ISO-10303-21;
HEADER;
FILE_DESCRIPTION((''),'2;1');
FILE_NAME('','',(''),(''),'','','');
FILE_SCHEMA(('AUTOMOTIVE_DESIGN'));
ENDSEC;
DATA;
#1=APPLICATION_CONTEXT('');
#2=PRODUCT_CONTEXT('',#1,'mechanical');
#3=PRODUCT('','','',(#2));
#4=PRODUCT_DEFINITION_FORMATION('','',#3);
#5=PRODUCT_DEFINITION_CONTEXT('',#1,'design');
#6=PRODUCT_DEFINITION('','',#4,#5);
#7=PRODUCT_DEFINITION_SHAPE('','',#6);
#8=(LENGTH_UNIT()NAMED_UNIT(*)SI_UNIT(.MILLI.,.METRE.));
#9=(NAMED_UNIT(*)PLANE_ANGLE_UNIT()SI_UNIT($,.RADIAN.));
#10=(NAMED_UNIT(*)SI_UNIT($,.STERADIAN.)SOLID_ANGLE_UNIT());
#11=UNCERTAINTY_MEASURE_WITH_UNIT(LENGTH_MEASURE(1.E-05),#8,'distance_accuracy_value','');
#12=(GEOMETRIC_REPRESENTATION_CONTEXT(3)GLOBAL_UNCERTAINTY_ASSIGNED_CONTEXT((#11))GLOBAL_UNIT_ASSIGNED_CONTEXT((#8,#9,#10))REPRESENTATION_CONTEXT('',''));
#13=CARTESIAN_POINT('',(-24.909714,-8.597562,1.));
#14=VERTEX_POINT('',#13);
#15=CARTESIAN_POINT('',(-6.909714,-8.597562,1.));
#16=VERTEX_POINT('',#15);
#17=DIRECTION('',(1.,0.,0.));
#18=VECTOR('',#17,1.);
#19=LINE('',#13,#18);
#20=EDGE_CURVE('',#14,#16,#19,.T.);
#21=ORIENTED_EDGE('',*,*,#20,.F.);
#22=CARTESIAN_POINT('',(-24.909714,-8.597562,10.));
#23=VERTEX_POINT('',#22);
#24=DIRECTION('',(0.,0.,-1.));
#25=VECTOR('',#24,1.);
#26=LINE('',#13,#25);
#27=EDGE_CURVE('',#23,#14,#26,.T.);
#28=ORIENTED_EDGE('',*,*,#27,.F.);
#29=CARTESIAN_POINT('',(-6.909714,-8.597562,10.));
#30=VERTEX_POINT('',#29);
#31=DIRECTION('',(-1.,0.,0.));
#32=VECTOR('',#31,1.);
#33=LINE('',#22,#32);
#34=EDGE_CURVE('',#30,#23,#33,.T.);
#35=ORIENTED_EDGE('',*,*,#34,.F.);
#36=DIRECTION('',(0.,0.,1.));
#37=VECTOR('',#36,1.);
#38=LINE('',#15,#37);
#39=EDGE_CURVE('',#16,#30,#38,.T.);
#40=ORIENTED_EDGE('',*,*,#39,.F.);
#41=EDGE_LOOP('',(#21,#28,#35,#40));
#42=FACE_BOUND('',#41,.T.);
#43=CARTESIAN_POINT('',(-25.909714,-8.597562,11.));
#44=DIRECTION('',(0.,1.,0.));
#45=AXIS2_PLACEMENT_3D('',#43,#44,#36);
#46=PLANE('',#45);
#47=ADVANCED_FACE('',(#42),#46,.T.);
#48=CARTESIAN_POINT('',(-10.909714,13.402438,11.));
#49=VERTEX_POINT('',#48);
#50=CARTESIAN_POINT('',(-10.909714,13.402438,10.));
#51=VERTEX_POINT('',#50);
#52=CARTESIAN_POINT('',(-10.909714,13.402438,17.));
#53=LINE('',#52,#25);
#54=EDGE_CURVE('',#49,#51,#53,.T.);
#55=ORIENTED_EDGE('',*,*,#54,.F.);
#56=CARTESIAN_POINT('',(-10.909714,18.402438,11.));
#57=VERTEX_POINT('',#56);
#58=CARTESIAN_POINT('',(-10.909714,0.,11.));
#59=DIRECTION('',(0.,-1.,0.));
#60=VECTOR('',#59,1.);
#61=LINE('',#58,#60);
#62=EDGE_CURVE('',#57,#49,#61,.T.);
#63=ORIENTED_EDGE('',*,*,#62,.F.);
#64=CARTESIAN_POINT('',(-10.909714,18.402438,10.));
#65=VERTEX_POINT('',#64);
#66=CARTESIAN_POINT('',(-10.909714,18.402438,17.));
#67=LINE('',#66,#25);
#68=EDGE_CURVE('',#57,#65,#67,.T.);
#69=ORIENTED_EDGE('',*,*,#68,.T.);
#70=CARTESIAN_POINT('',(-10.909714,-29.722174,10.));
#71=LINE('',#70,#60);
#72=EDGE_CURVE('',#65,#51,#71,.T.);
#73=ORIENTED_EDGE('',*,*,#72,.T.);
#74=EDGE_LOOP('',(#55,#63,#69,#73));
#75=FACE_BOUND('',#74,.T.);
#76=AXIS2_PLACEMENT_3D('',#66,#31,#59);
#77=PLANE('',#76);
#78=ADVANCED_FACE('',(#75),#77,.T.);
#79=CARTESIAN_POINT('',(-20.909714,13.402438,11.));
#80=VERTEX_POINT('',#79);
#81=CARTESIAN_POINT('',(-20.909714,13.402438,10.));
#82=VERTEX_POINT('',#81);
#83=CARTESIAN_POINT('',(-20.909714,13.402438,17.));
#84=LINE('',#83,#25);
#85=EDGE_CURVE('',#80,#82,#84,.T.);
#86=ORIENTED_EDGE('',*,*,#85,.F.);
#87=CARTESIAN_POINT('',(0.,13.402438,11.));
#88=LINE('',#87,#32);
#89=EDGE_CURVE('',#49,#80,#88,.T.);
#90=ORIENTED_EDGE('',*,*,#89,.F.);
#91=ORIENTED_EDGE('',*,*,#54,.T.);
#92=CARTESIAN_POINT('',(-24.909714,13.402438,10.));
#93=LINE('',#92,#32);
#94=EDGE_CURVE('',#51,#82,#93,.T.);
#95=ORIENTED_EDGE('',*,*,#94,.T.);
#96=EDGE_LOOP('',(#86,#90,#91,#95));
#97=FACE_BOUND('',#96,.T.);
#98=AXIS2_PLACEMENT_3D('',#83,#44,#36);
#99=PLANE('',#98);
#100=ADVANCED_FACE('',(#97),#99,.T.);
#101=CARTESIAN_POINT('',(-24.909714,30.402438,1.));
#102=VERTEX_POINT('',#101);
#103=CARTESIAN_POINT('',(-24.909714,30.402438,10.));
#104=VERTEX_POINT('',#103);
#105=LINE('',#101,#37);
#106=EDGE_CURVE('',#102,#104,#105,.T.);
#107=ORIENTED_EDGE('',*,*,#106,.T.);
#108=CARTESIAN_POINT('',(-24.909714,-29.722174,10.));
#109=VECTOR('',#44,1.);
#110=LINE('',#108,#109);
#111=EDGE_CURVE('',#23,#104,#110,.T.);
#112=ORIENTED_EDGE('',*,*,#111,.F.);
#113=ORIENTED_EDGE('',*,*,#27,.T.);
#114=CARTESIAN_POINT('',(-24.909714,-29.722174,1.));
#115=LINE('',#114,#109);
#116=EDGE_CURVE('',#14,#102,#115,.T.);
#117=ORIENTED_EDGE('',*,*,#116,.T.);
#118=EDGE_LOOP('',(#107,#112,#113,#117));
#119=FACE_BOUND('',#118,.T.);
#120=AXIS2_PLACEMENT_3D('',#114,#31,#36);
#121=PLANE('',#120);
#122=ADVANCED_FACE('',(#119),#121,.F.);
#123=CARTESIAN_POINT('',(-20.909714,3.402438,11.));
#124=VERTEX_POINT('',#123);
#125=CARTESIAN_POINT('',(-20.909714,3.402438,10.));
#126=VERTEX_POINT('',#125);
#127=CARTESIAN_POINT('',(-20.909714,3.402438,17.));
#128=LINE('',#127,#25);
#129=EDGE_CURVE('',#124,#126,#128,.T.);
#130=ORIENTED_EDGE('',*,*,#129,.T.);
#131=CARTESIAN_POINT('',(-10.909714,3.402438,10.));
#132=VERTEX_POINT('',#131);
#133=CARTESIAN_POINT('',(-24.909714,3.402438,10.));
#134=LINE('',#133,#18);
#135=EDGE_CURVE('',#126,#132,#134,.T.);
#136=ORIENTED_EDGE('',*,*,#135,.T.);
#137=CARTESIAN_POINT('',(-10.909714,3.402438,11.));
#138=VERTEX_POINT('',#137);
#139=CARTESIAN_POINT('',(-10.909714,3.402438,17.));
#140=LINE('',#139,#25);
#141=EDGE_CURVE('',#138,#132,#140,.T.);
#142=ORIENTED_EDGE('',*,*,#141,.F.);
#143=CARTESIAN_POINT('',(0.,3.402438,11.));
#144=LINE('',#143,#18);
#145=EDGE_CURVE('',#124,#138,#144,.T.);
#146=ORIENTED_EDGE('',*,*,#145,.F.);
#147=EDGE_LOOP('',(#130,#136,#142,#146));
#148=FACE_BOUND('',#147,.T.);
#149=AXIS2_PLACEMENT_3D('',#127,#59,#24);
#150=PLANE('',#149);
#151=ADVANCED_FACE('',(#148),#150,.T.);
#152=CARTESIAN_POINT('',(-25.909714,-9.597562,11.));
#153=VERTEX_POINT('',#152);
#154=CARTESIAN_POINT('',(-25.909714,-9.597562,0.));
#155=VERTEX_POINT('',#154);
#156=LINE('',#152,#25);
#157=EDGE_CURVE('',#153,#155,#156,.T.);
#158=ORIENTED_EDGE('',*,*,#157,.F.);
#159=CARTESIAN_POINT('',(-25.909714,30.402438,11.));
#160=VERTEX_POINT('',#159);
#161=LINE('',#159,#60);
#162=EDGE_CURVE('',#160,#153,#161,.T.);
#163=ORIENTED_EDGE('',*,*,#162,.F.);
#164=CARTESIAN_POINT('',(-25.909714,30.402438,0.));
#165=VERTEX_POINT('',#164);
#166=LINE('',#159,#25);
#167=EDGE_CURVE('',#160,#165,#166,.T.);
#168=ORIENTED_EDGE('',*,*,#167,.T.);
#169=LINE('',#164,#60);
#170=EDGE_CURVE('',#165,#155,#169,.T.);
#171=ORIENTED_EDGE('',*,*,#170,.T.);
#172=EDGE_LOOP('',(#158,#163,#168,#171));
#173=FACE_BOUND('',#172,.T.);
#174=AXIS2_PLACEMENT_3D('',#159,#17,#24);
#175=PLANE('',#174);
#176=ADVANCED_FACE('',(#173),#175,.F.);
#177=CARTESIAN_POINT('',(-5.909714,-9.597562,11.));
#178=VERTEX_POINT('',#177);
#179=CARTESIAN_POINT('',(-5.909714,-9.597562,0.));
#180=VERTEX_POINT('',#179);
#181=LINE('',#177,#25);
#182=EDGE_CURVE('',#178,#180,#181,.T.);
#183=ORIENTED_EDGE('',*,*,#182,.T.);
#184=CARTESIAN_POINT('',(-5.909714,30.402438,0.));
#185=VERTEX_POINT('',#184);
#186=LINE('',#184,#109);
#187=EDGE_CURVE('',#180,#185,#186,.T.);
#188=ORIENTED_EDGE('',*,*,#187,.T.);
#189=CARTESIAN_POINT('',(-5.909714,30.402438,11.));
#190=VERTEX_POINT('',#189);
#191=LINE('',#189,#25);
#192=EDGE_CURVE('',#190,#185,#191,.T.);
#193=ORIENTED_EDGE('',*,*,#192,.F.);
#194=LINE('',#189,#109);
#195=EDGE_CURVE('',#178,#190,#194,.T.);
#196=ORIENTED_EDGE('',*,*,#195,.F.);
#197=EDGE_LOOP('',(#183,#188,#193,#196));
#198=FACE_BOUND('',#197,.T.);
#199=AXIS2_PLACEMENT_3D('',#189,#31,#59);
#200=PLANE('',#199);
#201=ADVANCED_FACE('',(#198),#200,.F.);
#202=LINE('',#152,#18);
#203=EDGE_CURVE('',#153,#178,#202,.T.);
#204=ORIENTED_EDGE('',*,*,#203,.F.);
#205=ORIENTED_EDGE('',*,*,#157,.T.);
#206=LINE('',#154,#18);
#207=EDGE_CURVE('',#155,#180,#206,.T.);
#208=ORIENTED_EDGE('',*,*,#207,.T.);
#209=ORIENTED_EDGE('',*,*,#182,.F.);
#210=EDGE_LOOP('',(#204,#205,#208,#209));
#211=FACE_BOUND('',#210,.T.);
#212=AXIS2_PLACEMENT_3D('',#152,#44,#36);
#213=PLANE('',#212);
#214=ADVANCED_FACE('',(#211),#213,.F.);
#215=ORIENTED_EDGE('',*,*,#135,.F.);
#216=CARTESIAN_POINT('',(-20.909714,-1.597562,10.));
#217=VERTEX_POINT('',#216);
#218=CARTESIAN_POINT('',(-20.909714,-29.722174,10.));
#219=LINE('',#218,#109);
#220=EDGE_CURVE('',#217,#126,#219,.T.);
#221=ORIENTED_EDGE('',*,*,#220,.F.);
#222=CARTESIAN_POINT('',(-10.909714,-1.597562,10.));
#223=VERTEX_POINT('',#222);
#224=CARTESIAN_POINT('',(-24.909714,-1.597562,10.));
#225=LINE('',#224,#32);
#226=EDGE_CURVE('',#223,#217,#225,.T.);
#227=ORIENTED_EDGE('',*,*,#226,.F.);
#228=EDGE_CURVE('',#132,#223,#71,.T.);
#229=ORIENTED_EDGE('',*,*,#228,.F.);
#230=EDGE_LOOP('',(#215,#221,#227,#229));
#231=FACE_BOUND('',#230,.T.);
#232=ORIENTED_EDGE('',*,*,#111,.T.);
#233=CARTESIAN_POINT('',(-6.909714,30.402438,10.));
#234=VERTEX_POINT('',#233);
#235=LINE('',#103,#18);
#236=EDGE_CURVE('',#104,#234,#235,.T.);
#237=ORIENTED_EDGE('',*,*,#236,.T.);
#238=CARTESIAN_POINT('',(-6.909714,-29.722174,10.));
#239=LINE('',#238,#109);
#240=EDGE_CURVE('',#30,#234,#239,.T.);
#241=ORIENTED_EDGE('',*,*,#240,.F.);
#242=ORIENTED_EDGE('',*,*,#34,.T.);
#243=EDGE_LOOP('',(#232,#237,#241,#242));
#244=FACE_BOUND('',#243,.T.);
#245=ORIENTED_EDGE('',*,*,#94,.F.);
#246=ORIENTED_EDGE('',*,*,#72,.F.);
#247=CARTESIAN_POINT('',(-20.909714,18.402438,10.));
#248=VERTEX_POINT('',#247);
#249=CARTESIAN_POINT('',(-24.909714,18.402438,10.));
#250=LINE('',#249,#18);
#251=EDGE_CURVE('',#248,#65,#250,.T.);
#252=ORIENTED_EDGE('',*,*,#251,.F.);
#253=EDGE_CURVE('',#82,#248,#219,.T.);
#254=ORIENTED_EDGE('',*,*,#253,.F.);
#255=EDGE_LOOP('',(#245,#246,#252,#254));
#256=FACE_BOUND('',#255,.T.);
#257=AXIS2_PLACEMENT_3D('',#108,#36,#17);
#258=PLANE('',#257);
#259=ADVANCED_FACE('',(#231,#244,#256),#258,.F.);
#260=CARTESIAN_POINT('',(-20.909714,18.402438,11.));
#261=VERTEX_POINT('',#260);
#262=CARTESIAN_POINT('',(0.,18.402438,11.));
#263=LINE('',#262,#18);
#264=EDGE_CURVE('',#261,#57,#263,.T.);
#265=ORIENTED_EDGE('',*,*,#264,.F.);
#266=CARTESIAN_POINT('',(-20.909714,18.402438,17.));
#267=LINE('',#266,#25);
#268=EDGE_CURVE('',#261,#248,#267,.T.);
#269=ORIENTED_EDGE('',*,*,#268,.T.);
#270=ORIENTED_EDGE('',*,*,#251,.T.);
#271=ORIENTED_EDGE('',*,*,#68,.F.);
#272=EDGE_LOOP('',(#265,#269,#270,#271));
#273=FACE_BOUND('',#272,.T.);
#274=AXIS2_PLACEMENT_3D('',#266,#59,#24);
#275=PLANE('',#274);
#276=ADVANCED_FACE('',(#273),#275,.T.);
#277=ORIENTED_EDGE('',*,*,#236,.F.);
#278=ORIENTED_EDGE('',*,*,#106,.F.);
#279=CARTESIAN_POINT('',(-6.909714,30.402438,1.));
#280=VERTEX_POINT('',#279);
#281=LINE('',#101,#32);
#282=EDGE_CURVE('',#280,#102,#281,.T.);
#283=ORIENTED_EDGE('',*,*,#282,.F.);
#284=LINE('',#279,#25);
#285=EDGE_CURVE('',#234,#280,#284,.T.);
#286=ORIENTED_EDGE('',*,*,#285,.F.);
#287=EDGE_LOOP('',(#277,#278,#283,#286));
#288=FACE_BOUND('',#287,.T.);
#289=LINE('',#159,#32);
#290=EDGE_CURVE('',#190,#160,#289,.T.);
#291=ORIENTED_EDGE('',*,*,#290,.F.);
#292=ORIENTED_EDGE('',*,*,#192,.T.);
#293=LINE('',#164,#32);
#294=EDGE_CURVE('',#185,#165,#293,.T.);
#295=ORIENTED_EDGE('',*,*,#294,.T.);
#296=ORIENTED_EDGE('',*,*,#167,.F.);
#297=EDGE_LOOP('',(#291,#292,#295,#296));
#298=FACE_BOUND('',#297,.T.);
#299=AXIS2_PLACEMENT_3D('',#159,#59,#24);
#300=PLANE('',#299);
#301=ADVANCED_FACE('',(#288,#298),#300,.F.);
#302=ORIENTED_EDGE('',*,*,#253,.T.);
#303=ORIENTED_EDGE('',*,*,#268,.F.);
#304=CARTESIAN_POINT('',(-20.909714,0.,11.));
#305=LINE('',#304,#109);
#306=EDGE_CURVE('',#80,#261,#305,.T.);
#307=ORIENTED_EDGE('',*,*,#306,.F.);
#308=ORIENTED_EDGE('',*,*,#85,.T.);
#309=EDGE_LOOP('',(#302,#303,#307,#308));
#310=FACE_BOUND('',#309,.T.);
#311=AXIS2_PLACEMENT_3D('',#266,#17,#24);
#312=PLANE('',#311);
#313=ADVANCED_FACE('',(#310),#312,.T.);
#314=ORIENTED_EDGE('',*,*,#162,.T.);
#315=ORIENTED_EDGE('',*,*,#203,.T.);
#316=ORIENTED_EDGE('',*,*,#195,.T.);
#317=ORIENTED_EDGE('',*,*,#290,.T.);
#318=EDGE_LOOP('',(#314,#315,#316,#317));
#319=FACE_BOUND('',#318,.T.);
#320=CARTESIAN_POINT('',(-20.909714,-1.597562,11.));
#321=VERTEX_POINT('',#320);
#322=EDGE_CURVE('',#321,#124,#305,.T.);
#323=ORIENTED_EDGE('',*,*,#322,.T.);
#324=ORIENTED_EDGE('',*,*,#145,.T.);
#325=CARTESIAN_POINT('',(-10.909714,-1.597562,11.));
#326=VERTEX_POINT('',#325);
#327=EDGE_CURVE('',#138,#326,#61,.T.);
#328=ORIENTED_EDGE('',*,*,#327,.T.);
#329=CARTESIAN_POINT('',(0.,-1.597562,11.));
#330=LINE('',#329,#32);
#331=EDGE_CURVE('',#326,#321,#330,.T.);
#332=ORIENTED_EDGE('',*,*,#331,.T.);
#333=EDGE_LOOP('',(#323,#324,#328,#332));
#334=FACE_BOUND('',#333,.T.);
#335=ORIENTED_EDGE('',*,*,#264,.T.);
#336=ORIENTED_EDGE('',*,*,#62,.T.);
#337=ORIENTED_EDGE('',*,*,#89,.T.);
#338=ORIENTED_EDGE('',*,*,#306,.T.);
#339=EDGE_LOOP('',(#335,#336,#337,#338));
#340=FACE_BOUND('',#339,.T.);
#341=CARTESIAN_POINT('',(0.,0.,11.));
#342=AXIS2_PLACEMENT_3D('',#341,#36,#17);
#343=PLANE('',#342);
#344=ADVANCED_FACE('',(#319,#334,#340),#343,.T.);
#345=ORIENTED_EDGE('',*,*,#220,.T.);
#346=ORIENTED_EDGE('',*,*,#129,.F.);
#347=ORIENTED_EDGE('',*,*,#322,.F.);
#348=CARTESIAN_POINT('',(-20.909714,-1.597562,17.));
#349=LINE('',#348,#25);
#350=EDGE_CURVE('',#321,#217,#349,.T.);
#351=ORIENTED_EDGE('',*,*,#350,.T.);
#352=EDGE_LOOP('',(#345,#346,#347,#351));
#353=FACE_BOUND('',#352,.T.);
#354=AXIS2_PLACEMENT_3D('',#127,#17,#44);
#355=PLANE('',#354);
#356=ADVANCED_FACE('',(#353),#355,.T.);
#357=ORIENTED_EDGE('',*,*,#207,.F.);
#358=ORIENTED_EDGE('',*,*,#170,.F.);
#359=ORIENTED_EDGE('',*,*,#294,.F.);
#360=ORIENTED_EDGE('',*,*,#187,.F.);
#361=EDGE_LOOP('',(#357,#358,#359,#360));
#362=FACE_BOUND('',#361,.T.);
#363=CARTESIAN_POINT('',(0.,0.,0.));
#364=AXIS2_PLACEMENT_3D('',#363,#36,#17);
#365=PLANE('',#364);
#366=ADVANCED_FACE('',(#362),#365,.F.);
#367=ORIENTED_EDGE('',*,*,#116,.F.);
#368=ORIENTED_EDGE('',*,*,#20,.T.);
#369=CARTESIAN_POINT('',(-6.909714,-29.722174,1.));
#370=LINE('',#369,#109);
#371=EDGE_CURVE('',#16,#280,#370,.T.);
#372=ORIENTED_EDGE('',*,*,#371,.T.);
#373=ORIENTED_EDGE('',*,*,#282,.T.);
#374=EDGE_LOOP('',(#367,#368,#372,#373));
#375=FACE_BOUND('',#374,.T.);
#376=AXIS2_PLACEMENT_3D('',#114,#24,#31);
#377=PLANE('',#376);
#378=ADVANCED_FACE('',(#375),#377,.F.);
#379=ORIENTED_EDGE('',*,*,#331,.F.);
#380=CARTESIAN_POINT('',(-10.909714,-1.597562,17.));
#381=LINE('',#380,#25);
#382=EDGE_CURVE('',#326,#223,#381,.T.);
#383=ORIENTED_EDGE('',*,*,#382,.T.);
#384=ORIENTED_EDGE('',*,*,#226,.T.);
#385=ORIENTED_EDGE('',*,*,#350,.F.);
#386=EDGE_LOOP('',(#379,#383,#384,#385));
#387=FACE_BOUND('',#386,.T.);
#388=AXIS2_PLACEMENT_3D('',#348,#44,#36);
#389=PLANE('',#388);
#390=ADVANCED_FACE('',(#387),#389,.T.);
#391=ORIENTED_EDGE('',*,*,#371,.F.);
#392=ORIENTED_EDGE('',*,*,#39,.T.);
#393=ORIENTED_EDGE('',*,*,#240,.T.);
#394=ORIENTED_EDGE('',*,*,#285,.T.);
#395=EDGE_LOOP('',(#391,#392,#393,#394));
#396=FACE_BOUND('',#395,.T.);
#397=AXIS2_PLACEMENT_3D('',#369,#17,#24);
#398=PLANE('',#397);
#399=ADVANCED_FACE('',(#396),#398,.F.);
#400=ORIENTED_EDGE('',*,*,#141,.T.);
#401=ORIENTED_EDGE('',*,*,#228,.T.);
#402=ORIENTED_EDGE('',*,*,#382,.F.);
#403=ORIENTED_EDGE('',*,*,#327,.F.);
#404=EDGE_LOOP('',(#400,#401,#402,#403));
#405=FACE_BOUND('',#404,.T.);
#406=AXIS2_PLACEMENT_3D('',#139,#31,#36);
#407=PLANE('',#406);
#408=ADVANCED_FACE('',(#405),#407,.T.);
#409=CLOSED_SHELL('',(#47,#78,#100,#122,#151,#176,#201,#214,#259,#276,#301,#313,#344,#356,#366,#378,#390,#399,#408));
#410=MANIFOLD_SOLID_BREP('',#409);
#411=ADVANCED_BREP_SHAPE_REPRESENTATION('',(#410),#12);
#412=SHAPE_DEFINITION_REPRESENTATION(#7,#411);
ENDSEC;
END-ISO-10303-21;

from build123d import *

# Parameters (mm, degrees)
SKETCH1_W               = 20
SKETCH1_H               = 40
BOSS_EXTRUDE1_DEPTH     = 11
SKETCH2_W               = 18
SKETCH2_H               = 9
CUT_EXTRUDE1_DEPTH      = 39
SKETCH3_W               = 10
SKETCH3_H               = 5
CUT_EXTRUDE2_DEPTH      = 6
CUT_EXTRUDE2_DEPTH_BACK = 4


with BuildPart() as part:
    # Sketch1 → Boss-Extrude1 (new body)
    with BuildSketch(Plane.XY):
        with Locations((-15.909713685, 10.402437659)):
            Rectangle(SKETCH1_W, SKETCH1_H)
    extrude(amount=BOSS_EXTRUDE1_DEPTH)

    # Sketch2 → Cut-Extrude1 (cut)
    with BuildSketch(Plane(origin=(0, 30.402437659, 0), x_dir=(1, 0, 0), z_dir=(0, 1, 0))):
        with Locations((-15.909713685, -5.5)):
            Rectangle(SKETCH2_W, SKETCH2_H)
    extrude(amount=-CUT_EXTRUDE1_DEPTH, mode=Mode.SUBTRACT)

    # Sketch3 → Cut-Extrude2 (cut, two sides)
    with BuildSketch(Plane.XY.offset(11)) as cut_extrude2_sk:
        with Locations((-15.909713685, 15.902437659)):
            Rectangle(SKETCH3_W, SKETCH3_H)
        with Locations((-15.909713685, 0.902437659)):
            Rectangle(SKETCH3_W, SKETCH3_H)
    extrude(amount=CUT_EXTRUDE2_DEPTH, mode=Mode.SUBTRACT)
    extrude(cut_extrude2_sk.sketch, amount=-CUT_EXTRUDE2_DEPTH_BACK, mode=Mode.SUBTRACT)


solid = part.part
